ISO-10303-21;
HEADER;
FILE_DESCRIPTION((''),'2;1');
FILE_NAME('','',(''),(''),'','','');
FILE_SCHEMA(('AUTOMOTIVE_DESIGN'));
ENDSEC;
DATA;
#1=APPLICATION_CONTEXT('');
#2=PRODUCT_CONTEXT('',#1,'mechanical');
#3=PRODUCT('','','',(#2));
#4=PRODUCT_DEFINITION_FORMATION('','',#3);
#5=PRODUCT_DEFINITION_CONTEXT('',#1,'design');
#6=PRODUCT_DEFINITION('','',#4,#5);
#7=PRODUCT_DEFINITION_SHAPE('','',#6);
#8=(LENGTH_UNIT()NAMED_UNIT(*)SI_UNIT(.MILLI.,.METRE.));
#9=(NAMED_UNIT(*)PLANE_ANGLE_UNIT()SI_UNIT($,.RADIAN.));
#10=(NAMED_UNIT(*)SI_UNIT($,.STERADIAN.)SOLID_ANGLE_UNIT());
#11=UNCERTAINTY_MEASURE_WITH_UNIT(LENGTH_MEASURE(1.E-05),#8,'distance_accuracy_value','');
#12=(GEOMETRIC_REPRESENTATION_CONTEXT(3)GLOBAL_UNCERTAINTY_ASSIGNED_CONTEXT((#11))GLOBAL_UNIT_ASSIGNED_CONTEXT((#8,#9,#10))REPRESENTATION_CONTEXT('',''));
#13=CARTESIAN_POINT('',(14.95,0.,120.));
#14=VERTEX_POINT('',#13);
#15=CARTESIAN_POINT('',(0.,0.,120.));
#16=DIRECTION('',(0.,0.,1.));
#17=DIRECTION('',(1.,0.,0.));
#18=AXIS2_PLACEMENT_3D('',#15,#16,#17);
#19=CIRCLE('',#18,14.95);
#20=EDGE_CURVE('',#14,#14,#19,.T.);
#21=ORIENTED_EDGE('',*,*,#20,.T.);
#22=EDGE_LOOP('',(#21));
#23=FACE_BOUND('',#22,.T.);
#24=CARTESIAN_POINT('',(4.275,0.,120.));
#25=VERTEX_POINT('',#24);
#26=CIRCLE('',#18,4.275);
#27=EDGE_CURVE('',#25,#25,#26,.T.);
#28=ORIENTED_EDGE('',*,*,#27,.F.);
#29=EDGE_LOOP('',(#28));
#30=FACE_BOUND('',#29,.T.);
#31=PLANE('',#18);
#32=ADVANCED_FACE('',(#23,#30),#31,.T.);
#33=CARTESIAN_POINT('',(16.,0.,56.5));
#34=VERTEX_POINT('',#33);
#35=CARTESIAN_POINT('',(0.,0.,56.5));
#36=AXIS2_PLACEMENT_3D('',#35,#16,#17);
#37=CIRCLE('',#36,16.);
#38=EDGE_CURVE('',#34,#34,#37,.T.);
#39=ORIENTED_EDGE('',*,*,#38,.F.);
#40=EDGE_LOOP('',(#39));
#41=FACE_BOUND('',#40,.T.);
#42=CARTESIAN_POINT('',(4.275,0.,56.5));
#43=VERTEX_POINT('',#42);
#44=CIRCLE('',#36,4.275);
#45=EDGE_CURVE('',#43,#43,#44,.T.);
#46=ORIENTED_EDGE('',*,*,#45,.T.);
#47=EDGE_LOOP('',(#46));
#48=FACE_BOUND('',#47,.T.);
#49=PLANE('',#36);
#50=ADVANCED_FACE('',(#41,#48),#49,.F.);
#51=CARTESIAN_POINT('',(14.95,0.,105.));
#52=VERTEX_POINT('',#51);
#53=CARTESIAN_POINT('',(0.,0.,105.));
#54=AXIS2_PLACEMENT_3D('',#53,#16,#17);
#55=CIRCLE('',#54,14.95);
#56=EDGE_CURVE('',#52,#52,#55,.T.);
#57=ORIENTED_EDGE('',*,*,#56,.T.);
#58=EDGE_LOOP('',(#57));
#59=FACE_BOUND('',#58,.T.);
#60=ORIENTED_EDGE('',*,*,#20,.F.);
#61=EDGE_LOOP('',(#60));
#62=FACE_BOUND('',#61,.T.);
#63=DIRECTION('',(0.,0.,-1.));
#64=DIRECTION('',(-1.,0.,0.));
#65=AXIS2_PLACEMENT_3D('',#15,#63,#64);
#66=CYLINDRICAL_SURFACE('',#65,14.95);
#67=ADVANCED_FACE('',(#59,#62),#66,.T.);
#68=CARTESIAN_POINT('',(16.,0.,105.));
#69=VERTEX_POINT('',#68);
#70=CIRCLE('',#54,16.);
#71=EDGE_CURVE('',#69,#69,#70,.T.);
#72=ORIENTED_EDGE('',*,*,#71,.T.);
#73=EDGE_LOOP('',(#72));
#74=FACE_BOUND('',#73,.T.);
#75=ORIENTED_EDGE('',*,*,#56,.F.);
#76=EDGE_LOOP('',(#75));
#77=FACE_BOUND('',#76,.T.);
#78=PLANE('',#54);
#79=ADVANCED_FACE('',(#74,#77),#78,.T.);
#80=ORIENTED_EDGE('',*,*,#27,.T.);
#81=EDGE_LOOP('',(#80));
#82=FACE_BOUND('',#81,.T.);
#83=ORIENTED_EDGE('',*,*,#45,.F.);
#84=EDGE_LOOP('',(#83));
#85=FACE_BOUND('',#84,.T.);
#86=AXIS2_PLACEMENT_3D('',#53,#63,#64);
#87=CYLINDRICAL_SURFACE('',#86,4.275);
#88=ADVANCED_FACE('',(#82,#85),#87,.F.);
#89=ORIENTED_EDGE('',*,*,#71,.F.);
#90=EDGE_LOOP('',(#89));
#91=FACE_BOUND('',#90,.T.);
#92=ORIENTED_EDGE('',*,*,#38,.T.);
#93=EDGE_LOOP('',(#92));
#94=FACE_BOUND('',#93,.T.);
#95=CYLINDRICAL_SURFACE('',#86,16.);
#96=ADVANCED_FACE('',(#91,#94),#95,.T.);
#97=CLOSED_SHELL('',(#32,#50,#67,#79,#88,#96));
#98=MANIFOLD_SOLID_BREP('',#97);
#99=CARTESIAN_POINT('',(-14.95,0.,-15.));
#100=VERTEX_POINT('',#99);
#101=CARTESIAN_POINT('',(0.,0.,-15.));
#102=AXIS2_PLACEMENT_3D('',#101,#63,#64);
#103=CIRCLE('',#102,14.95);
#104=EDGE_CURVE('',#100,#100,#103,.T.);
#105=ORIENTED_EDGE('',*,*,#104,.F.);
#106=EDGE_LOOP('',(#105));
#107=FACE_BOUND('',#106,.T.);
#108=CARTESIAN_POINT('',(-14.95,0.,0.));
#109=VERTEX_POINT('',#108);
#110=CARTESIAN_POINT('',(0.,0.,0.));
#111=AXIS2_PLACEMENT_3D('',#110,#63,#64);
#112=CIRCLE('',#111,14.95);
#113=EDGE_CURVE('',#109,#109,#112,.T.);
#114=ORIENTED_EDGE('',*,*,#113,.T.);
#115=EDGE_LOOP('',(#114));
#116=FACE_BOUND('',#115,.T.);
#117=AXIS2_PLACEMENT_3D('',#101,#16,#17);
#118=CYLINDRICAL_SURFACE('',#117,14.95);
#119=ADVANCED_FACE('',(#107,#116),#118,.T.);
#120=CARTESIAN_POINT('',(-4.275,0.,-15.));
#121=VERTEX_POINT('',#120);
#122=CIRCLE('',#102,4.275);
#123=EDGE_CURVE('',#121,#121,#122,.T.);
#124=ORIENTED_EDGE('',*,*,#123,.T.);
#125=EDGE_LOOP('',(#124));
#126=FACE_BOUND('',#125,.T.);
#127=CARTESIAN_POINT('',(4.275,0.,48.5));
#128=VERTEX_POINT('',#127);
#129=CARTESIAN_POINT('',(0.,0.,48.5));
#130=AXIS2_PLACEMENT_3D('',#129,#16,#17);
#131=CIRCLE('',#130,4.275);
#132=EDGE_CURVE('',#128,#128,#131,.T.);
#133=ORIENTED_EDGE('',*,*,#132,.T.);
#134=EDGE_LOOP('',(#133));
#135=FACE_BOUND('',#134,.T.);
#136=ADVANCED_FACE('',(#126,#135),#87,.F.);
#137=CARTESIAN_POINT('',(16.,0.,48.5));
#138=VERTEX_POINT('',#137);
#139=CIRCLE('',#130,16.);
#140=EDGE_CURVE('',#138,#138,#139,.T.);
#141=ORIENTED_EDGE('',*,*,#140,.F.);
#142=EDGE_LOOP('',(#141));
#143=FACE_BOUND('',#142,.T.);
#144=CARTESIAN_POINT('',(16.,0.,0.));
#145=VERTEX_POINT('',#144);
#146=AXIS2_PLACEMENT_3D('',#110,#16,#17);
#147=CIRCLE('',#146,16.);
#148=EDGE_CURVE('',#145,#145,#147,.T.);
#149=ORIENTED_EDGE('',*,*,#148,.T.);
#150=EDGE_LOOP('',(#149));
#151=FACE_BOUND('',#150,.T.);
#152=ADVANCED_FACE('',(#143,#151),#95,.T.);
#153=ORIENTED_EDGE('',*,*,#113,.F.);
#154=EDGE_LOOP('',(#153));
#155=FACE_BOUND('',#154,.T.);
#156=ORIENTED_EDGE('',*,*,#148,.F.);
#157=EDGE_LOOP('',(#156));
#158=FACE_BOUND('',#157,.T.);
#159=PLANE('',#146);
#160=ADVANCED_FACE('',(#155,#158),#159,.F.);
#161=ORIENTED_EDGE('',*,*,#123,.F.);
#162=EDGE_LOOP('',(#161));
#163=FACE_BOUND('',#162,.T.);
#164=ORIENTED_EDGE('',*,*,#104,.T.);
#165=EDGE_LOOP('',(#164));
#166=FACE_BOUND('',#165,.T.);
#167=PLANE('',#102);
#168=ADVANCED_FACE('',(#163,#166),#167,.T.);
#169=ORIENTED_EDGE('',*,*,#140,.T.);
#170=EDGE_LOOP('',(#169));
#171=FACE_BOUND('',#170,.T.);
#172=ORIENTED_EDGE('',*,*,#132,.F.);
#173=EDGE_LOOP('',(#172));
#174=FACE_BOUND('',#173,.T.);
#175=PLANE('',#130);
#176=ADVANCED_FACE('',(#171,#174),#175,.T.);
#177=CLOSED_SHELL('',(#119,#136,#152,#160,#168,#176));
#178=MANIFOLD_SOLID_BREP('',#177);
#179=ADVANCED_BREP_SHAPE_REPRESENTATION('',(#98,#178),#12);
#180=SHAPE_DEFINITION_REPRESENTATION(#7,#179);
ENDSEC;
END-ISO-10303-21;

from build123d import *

# Parameters (mm, degrees)
SKETCH1_R           = 16
SKETCH1_R_2         = 4.275
BOSS_EXTRUDE1_DEPTH = 105
SKETCH2_R           = 14.95
SKETCH2_R_2         = 4.275
BOSS_EXTRUDE2_DEPTH = 15
BOSS_EXTRUDE3_START = 15
SKETCH3_R           = 14.95
SKETCH3_R_2         = 4.275
BOSS_EXTRUDE3_DEPTH = 15
CUT_EXTRUDE1_START  = 48.5
SKETCH4_R           = 16
CUT_EXTRUDE1_DEPTH  = 8


with BuildPart() as part:
    # Sketch1 → Boss-Extrude1 (new body)
    with BuildSketch(Plane.XY):
        Circle(SKETCH1_R)
        Circle(SKETCH1_R_2, mode=Mode.SUBTRACT)
    extrude(amount=BOSS_EXTRUDE1_DEPTH)

    # Sketch2 → Boss-Extrude2 (add)
    with BuildSketch(Plane.XY.offset(105)):
        Circle(SKETCH2_R)
        Circle(SKETCH2_R_2, mode=Mode.SUBTRACT)
    extrude(amount=BOSS_EXTRUDE2_DEPTH)

    # Sketch3 → Boss-Extrude3 (add)
    with BuildSketch(Plane(origin=(0, 0, 0), x_dir=(-1, 0, 0), z_dir=(0, 0, -1)).offset(BOSS_EXTRUDE3_START)):
        with Locations(Location((0, 0, 0), (0, 0, 180))):
            Circle(SKETCH3_R)
        Circle(SKETCH3_R_2, mode=Mode.SUBTRACT)
    extrude(amount=-BOSS_EXTRUDE3_DEPTH)

    # Sketch4 → Cut-Extrude1 (cut)
    with BuildSketch(Plane.XY.offset(CUT_EXTRUDE1_START)):
        Circle(SKETCH4_R)
    extrude(amount=CUT_EXTRUDE1_DEPTH, mode=Mode.SUBTRACT)


with BuildPart() as cut_extrude1_piece_1:
    # of the separate pieces the step leaves, piece 1, a body of its own (cut_extrude1_pieces)
    add(part.part.solids().sort_by_distance((16, 0, 0))[0])


with BuildPart() as cut_extrude1_piece_2:
    # of the separate pieces the step leaves, piece 2, a body of its own (cut_extrude1_pieces)
    add(part.part.solids().sort_by_distance((16, 0, 56.5))[0])


solid = Compound([cut_extrude1_piece_1.part, cut_extrude1_piece_2.part])
